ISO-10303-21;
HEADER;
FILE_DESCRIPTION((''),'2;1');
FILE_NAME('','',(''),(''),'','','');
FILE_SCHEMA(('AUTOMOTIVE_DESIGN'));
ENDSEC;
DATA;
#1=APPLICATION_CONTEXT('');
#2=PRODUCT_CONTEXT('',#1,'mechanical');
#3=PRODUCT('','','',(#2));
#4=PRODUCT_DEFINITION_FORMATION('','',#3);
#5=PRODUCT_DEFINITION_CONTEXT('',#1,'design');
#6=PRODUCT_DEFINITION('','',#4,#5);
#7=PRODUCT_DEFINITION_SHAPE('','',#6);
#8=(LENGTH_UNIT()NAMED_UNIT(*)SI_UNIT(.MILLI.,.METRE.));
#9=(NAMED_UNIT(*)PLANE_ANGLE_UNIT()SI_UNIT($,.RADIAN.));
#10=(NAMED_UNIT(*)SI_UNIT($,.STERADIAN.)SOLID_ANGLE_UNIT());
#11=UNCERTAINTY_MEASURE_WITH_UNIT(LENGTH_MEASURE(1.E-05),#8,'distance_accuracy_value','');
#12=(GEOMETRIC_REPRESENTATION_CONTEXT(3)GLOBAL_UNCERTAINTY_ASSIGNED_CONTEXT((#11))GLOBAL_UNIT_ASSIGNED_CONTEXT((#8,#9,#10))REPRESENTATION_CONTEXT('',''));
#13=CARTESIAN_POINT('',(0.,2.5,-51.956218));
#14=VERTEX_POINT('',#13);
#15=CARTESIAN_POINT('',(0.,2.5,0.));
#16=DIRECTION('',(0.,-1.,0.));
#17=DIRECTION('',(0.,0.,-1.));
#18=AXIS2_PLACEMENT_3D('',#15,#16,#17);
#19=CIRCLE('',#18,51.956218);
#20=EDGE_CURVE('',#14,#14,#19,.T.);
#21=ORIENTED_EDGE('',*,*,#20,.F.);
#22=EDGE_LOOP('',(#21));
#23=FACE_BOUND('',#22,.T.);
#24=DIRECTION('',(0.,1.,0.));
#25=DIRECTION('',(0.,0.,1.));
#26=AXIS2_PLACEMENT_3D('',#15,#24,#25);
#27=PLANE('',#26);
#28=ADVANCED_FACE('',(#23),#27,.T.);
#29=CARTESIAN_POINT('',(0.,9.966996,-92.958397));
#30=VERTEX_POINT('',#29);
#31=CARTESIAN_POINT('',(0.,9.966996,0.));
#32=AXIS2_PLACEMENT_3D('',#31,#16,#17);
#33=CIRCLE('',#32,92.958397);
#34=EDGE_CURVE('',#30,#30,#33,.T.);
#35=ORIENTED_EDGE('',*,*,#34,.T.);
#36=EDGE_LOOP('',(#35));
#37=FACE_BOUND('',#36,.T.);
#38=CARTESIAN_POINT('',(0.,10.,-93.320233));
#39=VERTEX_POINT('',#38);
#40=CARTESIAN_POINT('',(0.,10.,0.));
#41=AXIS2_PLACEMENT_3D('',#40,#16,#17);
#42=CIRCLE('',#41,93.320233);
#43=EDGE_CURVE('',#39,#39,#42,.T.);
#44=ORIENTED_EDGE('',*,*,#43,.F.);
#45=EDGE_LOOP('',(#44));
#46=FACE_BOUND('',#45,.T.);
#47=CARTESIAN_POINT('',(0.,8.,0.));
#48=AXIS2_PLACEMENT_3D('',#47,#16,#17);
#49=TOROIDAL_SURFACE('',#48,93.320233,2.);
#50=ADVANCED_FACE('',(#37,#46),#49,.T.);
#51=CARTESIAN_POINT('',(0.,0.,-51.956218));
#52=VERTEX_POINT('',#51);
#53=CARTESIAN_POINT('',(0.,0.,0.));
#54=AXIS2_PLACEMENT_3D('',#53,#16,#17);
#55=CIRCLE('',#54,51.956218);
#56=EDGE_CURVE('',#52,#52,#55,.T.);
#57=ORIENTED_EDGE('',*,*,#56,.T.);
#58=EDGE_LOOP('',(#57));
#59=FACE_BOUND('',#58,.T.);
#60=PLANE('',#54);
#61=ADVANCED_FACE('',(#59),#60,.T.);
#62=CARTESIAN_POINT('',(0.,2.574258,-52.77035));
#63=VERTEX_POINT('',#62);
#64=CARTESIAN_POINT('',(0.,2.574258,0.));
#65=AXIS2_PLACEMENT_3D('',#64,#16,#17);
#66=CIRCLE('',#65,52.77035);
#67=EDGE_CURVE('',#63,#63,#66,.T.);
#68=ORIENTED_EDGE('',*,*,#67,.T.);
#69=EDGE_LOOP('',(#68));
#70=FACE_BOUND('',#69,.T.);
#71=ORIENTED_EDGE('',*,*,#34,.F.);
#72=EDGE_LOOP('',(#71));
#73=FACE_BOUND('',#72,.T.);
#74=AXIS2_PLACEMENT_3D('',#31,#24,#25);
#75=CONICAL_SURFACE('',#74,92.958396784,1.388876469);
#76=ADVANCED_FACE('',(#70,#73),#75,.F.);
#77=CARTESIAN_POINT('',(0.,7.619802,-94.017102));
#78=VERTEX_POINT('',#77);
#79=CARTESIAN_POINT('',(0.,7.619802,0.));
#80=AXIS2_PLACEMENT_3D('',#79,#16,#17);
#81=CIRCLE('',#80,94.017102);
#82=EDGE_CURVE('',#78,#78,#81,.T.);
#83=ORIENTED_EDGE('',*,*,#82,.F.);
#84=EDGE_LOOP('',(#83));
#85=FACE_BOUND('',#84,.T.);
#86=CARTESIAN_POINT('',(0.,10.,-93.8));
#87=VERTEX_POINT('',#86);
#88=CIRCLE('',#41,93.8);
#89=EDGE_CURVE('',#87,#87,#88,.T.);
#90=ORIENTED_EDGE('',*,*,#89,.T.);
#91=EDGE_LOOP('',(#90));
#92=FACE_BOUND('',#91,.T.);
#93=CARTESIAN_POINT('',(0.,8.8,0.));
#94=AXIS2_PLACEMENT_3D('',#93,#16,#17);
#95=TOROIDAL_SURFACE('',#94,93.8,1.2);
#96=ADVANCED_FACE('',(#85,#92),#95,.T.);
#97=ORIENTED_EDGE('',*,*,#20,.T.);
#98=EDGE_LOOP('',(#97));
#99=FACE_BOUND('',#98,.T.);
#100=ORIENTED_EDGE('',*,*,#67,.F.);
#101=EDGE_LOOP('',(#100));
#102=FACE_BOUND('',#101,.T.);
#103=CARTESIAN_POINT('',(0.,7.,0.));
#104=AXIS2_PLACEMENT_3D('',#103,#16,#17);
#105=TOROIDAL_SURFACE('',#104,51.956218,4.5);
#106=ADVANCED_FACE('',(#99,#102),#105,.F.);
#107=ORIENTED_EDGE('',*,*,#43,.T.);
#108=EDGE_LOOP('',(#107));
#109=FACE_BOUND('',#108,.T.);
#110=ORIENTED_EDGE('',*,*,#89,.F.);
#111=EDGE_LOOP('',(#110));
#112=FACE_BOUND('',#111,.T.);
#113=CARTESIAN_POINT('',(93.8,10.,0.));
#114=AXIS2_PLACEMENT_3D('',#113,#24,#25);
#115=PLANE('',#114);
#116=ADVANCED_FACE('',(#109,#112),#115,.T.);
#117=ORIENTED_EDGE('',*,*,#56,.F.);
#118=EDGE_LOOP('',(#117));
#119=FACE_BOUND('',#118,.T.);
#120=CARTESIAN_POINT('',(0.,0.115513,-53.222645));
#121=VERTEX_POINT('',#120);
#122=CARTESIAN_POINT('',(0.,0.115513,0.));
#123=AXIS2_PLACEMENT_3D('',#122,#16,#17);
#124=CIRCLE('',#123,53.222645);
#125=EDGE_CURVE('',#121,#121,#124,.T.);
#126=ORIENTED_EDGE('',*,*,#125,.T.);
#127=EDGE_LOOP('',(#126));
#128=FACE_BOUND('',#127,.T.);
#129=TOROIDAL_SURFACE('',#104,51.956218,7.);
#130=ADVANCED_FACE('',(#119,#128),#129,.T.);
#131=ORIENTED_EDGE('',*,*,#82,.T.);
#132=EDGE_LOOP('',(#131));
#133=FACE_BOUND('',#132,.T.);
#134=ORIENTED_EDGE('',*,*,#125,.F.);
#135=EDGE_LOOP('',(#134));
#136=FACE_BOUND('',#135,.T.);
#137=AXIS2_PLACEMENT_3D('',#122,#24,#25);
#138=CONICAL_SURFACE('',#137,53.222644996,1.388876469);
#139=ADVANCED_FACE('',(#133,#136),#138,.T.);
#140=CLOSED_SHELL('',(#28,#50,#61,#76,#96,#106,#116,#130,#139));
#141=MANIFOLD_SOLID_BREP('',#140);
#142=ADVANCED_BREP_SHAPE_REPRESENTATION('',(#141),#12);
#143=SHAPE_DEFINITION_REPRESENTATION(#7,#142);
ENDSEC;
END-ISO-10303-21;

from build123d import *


with BuildPart() as part:
    # ProfileS → Profile (revolve)
    with BuildSketch(Plane.XY):
        with BuildLine():
            Line((0, 0), (51.956218422, 0))
            ThreePointArc((51.956218422, 0), (52.592060281, 0.02893802), (53.222644996, 0.11551282))
            Line((53.222644996, 0.11551282), (94.017101698, 7.619802198))
            ThreePointArc((94.017101698, 7.619802198), (94.995039197, 8.909001462), (93.8, 10))
            Line((93.8, 10), (93.320232948, 10))
            ThreePointArc((93.320232948, 10), (93.138563845, 9.991731994), (92.958396784, 9.966996337))
            Line((92.958396784, 9.966996337), (52.770349791, 2.574258241))
            ThreePointArc((52.770349791, 2.574258241), (52.364973903, 2.518603013), (51.956218422, 2.5))
            Line((51.956218422, 2.5), (0, 2.5))
            Line((0, 2.5), (0, 0))
        make_face()
    revolve(axis=Axis((0, 0, 0), (0, 1, 0)))


solid = part.part
